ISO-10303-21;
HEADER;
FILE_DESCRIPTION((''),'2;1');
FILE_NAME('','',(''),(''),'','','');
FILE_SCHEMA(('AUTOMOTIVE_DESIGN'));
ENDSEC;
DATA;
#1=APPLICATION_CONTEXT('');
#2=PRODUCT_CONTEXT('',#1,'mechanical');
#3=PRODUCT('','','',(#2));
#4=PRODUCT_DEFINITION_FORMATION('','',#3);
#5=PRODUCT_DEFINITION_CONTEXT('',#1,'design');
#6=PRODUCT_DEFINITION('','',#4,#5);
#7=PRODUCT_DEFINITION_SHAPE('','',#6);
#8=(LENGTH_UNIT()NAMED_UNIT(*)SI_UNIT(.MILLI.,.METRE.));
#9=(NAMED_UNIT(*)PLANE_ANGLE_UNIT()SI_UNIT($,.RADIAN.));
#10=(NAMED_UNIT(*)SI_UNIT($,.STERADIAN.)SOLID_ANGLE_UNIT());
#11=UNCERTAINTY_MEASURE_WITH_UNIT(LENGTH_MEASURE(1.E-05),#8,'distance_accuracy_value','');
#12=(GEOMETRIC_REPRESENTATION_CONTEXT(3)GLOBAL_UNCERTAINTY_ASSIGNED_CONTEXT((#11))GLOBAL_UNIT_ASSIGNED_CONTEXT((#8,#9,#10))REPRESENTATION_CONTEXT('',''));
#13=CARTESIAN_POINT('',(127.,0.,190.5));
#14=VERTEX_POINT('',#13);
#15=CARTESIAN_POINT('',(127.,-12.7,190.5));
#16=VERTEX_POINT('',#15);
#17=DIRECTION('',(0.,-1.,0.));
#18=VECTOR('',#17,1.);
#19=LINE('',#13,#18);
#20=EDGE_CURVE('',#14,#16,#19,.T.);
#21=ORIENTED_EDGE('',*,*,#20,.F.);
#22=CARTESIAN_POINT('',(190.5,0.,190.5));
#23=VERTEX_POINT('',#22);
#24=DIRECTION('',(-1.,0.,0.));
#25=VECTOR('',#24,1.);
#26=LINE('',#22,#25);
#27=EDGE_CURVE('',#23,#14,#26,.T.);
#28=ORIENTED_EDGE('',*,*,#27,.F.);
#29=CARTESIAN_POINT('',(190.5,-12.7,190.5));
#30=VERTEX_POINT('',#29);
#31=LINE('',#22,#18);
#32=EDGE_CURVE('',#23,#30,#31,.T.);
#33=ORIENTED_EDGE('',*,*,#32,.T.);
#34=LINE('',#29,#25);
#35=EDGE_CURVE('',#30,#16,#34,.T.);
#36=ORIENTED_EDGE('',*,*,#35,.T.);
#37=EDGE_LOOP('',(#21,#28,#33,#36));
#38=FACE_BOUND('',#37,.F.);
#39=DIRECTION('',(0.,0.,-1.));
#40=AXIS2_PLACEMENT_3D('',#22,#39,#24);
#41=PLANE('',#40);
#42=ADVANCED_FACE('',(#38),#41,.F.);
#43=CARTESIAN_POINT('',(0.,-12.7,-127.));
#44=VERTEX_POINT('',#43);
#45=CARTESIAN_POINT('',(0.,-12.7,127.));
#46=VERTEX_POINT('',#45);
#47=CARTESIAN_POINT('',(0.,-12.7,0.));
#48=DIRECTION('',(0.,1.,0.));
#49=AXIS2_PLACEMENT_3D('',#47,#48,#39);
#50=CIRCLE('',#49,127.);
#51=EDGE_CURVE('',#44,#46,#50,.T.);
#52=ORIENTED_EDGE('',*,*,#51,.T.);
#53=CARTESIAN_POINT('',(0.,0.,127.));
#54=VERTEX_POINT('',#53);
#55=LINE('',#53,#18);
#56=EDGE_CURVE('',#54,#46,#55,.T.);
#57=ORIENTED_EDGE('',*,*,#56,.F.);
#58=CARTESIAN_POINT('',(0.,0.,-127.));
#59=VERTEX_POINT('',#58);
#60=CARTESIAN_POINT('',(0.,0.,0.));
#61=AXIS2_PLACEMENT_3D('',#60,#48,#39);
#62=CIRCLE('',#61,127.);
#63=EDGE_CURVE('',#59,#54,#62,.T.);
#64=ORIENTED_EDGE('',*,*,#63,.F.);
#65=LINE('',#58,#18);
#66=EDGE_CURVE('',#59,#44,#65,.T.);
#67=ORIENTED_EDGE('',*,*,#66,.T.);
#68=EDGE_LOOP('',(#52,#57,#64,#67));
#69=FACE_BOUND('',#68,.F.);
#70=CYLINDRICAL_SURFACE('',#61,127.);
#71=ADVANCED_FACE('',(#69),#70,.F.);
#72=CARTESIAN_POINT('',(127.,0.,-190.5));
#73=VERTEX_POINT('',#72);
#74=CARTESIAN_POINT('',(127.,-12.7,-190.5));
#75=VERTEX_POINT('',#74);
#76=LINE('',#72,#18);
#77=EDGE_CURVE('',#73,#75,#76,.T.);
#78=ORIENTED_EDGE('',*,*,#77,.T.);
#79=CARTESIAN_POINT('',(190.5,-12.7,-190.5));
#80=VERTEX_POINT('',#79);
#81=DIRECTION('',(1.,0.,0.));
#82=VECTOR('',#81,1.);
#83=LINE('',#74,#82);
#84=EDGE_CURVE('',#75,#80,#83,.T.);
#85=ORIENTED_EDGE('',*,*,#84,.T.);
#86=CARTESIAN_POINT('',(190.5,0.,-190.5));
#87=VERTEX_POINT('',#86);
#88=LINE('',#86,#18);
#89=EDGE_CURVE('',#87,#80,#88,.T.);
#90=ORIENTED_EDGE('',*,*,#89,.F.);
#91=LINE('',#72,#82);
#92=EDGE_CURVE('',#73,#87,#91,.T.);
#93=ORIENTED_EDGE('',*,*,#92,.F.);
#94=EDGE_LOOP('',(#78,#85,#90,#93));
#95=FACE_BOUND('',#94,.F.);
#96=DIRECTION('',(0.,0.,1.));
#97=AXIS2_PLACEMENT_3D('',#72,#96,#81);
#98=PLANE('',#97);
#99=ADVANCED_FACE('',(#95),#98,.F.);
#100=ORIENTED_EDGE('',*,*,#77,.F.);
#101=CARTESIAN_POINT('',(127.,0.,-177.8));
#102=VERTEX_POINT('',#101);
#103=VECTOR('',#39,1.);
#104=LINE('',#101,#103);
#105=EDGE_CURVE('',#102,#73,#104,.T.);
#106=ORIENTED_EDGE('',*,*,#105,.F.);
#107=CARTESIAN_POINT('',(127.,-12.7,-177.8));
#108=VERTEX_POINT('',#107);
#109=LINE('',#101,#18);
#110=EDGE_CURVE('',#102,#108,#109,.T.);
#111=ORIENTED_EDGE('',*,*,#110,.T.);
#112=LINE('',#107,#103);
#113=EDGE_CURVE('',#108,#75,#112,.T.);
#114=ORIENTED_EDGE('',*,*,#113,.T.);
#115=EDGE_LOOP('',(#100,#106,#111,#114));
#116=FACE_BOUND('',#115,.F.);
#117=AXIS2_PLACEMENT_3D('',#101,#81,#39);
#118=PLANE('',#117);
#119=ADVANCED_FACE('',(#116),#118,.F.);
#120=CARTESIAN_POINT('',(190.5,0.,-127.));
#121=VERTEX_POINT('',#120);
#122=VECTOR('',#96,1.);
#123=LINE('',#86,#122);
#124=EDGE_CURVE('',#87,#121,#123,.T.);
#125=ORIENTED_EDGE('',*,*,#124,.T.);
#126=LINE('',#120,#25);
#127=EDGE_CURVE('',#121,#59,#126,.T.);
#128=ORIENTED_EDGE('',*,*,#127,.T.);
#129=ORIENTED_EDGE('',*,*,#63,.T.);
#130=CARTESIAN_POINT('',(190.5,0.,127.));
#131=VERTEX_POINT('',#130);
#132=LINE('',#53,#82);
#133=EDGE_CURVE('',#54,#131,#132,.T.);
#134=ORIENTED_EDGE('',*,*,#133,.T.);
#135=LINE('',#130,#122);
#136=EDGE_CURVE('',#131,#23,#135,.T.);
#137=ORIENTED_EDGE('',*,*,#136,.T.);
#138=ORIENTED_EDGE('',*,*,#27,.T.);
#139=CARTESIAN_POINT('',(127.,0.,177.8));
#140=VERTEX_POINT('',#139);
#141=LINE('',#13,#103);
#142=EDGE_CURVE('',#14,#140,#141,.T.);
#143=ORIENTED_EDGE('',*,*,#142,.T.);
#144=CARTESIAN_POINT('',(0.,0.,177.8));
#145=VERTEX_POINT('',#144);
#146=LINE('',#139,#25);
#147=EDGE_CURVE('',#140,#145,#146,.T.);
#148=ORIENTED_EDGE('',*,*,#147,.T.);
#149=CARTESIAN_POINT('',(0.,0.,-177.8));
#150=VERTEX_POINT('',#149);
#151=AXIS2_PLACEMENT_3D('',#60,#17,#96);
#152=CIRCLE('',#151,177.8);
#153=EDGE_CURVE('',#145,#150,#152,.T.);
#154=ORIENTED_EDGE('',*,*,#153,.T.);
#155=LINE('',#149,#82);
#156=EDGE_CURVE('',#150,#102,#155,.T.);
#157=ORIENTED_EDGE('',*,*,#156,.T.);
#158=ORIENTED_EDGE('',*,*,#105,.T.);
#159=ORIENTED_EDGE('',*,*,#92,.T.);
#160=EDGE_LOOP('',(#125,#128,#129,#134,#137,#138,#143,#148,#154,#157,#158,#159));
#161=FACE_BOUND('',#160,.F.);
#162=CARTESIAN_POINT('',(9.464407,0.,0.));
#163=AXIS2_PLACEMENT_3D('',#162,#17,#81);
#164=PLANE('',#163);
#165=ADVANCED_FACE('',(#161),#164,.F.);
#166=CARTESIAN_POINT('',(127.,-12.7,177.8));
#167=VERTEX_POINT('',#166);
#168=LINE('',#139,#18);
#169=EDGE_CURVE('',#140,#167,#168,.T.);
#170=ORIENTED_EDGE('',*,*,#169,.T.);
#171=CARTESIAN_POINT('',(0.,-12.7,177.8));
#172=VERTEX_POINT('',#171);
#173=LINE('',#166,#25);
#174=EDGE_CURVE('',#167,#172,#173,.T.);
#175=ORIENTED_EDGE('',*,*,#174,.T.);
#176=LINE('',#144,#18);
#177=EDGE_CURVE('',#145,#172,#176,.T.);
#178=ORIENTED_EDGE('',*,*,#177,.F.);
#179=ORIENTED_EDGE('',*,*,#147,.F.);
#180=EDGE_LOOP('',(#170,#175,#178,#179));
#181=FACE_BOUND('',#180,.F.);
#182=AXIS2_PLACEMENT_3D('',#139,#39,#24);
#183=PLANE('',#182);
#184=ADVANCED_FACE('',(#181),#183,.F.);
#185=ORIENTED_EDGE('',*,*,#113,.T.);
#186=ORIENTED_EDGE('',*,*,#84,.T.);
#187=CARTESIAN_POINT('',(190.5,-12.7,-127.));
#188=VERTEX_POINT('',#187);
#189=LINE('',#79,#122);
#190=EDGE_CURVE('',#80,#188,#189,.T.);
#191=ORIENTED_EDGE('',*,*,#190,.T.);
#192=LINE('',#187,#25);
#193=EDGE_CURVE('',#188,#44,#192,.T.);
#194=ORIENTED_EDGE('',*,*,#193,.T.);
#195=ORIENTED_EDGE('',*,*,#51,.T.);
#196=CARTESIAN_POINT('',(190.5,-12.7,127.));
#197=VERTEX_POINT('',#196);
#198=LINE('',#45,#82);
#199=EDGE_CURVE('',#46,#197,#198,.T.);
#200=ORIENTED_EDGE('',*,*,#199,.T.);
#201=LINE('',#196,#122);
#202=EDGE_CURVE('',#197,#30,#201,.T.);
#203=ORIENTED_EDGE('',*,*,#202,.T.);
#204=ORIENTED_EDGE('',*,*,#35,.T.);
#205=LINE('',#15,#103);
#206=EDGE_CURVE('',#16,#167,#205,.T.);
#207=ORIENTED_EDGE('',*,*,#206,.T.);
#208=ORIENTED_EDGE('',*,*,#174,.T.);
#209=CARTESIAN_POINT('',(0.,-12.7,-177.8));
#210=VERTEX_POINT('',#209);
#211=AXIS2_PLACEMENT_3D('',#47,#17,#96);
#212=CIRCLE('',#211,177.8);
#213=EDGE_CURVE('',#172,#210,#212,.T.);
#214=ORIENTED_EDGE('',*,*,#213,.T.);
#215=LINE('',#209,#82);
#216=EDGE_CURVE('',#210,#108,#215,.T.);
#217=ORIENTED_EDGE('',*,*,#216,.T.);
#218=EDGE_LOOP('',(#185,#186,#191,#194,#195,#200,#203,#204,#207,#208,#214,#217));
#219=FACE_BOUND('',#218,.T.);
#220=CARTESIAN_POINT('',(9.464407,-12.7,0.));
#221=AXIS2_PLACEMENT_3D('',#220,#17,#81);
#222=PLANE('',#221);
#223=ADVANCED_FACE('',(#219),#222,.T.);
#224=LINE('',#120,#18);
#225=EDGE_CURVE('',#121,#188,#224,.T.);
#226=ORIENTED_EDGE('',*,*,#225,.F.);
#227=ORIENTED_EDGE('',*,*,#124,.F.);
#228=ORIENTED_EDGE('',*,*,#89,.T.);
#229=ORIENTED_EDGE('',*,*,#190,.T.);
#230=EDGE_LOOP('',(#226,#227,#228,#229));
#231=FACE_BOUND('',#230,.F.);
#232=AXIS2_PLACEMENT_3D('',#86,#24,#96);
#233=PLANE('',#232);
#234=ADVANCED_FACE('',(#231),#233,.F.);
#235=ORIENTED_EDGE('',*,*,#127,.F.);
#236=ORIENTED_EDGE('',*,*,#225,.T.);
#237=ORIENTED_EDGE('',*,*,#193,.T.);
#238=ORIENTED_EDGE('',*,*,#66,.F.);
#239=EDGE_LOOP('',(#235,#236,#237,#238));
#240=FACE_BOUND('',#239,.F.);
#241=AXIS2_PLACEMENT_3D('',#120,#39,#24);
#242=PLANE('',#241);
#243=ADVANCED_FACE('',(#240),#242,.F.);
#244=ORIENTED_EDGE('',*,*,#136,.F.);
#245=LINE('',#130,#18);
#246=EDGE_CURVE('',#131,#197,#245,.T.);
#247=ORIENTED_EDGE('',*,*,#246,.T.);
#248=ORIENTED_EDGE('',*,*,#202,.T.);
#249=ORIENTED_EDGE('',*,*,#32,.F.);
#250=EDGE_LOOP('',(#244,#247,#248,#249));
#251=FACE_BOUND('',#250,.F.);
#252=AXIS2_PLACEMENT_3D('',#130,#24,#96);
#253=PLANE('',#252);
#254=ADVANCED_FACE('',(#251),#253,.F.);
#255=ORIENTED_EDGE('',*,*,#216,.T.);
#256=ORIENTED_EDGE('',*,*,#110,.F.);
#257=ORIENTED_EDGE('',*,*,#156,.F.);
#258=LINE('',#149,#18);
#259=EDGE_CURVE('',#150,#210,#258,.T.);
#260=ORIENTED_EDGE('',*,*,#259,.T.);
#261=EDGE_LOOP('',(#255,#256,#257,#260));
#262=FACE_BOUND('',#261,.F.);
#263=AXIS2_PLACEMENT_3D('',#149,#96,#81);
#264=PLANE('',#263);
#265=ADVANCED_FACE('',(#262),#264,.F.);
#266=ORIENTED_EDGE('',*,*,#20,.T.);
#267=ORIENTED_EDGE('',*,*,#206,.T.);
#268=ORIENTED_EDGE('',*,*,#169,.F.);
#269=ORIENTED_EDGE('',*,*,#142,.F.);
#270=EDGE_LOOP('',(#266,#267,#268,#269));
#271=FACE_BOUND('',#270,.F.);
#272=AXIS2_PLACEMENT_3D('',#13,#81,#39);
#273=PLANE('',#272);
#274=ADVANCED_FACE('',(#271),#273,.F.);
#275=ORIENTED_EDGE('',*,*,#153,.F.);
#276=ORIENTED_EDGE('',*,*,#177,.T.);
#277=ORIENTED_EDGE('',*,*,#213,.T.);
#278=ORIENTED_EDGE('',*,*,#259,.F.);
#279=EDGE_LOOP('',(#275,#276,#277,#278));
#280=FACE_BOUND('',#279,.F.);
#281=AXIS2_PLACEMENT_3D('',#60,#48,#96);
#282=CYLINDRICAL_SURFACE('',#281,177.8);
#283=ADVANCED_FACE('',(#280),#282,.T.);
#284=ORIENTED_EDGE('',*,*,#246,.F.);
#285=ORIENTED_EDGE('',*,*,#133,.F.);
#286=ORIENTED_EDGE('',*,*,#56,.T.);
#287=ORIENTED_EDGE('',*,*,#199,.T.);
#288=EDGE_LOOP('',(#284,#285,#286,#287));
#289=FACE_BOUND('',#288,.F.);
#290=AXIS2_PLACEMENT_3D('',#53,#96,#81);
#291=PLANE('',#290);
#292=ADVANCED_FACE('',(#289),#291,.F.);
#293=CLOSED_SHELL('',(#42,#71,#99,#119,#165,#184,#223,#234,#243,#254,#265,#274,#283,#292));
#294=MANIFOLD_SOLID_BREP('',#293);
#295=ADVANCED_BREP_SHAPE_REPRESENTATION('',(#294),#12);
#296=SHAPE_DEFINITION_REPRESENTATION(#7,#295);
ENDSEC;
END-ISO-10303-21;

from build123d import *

# Parameters (mm, degrees)
F1_DEPTH = 12.7


with BuildPart() as f1:
    # F0 (on Front) → F1 (new body)
    with BuildSketch(Plane.XZ):
        with BuildLine():
            Line((0, -177.8), (127, -177.8))
            Line((127, -177.8), (127, -190.5))
            Line((127, -190.5), (190.5, -190.5))
            Line((190.5, -190.5), (190.5, -177.8))
            Line((190.5, -177.8), (190.5, -127))
            Line((190.5, -127), (127, -127))
            Line((127, -127), (0, -127))
            ThreePointArc((0, -127), (-127, 0), (0, 127))
            Line((0, 127), (127, 127))
            Line((127, 127), (190.5, 127))
            Line((190.5, 127), (190.5, 177.8))
            Line((190.5, 177.8), (190.5, 190.5))
            Line((190.5, 190.5), (127, 190.5))
            Line((127, 190.5), (127, 177.8))
            Line((127, 177.8), (0, 177.8))
            ThreePointArc((0, 177.8), (-177.8, 0), (0, -177.8))
        make_face()
    extrude(amount=F1_DEPTH)


solid = f1.part
